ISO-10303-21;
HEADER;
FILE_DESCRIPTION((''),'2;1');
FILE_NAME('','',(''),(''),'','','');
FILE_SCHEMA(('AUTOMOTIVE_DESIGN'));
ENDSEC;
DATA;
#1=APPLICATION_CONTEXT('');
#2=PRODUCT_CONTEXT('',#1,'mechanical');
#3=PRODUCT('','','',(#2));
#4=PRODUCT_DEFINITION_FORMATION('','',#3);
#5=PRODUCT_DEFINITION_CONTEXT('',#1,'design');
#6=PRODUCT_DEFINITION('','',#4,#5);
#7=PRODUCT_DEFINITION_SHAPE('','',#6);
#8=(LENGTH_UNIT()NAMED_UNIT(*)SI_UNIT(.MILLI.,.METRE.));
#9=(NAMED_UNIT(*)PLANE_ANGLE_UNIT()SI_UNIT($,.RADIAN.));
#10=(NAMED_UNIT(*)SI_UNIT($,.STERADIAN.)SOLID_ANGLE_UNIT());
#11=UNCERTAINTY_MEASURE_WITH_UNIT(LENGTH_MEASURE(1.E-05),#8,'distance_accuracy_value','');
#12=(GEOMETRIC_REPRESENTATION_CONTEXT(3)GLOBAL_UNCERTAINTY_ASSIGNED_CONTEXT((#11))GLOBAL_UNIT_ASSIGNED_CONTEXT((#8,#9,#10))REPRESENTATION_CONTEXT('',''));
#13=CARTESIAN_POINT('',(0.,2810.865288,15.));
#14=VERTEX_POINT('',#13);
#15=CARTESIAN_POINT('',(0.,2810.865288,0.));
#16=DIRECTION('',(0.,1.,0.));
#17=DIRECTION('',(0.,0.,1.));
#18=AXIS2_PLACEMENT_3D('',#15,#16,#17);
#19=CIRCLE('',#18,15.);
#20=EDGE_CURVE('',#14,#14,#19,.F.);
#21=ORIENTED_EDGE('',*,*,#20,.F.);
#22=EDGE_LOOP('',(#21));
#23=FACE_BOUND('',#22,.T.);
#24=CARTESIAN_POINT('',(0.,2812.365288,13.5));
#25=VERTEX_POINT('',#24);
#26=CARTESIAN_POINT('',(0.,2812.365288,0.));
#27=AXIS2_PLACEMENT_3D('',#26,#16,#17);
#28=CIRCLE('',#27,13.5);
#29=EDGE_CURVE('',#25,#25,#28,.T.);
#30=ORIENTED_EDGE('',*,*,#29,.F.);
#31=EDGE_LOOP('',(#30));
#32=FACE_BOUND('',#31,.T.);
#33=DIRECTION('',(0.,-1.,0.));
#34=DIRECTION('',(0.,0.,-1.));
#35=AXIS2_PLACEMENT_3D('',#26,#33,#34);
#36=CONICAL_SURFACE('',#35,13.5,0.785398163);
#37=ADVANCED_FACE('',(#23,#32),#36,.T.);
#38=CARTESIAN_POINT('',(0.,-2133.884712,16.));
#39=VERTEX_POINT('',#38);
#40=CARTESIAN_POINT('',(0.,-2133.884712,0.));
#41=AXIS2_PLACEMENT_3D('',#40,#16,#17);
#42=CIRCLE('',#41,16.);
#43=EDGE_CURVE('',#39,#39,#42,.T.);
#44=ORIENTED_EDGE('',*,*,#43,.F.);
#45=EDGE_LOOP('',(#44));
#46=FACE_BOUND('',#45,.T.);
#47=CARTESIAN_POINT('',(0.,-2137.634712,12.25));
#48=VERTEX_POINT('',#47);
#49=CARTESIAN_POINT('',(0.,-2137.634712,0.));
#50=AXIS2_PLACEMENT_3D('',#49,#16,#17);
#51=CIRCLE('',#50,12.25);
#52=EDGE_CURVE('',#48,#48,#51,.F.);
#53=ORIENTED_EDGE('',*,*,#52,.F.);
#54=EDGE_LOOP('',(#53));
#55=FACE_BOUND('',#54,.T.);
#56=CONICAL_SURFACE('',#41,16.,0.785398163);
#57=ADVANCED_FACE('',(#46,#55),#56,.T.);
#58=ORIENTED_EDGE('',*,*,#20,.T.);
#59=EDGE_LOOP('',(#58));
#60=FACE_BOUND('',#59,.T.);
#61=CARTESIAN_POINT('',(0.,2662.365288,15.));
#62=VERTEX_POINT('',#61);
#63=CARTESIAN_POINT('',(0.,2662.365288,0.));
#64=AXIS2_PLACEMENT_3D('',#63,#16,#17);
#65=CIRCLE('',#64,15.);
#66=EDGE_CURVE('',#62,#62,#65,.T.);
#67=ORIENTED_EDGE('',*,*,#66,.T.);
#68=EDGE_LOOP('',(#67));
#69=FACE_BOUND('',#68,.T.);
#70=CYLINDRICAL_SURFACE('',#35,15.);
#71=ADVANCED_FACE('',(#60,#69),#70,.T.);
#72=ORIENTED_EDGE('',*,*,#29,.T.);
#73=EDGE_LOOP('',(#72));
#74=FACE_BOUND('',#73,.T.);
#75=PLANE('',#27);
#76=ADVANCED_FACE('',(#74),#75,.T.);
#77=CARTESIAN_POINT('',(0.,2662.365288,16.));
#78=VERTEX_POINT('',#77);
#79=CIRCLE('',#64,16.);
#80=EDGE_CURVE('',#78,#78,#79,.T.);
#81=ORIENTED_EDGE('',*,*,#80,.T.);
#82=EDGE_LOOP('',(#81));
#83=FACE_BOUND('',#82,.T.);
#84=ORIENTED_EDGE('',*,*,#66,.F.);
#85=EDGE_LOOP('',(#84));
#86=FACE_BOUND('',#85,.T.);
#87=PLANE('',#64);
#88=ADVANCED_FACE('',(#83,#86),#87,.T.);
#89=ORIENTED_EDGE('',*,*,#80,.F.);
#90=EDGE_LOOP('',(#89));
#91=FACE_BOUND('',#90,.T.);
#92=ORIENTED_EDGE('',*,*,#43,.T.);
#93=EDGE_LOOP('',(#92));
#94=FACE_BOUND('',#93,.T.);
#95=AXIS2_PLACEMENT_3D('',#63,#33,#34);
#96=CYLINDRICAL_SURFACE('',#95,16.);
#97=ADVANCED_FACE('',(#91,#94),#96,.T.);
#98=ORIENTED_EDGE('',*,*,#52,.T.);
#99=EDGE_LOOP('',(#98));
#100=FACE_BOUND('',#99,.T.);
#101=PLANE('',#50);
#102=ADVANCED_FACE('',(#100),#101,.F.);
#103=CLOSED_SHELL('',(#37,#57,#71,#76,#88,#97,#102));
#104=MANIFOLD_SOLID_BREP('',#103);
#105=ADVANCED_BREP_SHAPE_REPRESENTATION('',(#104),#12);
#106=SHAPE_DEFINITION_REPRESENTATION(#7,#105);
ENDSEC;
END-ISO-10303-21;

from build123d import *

# Parameters (mm, degrees)
SKETCH1_R           = 2.133333333
BOSS_EXTRUDE1_DEPTH = 640
SKETCH2_R           = 2
BOSS_EXTRUDE2_DEPTH = 20
CHAMFER1_SIZE       = 0.2
CHAMFER2_SIZE       = 0.5
SCALE1_SCALE        = 7.5


with BuildPart() as part:
    # Sketch1 → Boss-Extrude1 (new body)
    with BuildSketch(Plane(origin=(0, 0, 0), x_dir=(1, 0, 0), z_dir=(0, 1, 0))):
        Circle(SKETCH1_R)
    extrude(amount=BOSS_EXTRUDE1_DEPTH)

    # Sketch2 → Boss-Extrude2 (add)
    with BuildSketch(Plane(origin=(0, 640, 0), x_dir=(1, 0, 0), z_dir=(0, 1, 0))):
        Circle(SKETCH2_R)
    extrude(amount=BOSS_EXTRUDE2_DEPTH)

    # Chamfer1
    chamfer1_edges = [part.edges().sort_by_distance(p)[0] for p in [
        (-2, 660, 0),
    ]]
    chamfer(chamfer1_edges, length=CHAMFER1_SIZE)

    # Chamfer2
    chamfer2_edges = [part.edges().sort_by_distance(p)[0] for p in [
        (-2.133333333, 0, 0),
    ]]
    chamfer(chamfer2_edges, length=CHAMFER2_SIZE)


with BuildPart() as part_1:
    # Scale1: scaled about (0, 328.866878823, 0)
    add(part.part.scale(SCALE1_SCALE).moved(Location((0, -2137.634712349, 0))))


solid = part_1.part
